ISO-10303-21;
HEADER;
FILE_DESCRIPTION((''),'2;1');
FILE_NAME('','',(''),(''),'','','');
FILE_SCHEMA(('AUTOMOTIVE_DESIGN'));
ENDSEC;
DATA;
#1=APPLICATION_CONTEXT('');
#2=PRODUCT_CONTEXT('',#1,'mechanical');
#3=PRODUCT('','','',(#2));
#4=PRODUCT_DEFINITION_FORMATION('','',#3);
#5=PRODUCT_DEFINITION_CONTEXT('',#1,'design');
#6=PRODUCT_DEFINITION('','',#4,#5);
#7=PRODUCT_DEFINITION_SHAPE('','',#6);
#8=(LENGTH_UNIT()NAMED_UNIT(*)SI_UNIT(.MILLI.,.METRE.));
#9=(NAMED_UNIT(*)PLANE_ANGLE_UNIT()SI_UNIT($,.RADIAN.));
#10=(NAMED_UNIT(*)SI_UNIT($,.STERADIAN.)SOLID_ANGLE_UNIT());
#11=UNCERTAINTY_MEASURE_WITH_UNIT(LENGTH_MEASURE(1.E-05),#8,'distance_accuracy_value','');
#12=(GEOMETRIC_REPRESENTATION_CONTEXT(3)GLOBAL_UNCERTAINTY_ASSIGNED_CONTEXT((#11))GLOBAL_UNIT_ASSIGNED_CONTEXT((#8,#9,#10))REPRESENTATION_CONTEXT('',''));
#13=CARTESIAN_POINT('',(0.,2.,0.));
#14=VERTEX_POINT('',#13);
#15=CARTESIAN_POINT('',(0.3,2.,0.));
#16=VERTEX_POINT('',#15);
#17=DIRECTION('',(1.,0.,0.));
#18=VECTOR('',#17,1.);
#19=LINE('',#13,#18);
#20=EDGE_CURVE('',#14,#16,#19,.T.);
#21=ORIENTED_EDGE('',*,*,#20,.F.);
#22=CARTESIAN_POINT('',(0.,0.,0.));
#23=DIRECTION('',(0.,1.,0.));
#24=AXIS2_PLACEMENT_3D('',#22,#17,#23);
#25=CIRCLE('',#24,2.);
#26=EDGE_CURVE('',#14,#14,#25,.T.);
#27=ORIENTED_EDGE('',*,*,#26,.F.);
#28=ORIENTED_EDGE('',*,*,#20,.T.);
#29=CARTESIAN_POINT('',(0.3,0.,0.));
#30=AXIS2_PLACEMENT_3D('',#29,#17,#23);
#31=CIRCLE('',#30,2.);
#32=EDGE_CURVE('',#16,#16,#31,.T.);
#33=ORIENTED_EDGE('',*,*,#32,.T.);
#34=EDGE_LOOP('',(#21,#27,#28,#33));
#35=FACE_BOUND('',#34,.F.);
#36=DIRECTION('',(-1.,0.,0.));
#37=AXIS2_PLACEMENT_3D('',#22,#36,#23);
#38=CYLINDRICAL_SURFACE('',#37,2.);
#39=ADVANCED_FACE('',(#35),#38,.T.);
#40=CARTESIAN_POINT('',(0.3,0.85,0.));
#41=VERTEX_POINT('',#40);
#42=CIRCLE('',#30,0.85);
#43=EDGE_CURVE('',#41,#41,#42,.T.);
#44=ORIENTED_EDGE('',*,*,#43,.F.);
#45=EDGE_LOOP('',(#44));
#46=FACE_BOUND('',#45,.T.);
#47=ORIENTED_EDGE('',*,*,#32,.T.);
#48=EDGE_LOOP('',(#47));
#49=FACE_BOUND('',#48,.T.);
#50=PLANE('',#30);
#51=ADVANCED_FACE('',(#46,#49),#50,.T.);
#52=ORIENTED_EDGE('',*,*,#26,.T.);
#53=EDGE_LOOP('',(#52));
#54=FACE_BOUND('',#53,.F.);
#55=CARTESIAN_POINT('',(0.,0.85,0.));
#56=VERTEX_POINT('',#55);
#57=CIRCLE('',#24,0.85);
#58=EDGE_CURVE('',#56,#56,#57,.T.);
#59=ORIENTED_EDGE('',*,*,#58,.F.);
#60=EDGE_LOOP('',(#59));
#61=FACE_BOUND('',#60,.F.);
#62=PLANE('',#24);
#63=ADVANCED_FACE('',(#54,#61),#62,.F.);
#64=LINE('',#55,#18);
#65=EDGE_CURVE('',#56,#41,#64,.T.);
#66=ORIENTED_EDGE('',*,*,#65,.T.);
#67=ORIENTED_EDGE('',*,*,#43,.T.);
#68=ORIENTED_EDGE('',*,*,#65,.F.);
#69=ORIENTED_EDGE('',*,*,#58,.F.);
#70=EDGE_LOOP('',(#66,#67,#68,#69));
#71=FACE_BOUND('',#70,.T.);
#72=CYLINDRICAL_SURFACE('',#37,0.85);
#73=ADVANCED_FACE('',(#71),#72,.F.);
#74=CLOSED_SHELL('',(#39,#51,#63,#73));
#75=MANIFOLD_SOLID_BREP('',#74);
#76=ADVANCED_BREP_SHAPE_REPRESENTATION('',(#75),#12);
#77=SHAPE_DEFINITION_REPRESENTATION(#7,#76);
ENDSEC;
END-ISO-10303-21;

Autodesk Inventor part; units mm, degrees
ref_plane "YZ Plane" through (0, 0, 0) normal (1, 0, 0) x (0, 1, 0)
ref_plane "XZ Plane" through (0, 0, 0) normal (0, 1, 0) x (-1, 0, 0)
sketch "Sketch" plane through (0, 0, 0) normal (1, 0, 0) x (0, 1, 0)
  circle A0 centre (0, 0) radius 2
  circle A1 centre (0, 0) radius 0.85
  dimension "d0" = 1.7
  dimension "d1" = 4
extrude "Body" add sketch "Sketch" along normal blind 0.3
ref_plane "Work Plane1" through (0, 0, 0) normal (0, 0, 1) x (1, 0, 0)
equation "\"d0\" = SD1"
equation "\"d1\" = SD2"
equation "\"d2\" = SD"
equation "\"SD1\" = 1.7"
equation "\"SD2\" = 4"
equation "\"SD\" = 0.3"
equation "\"NND\" = 1.6"
properties part number "DIN 125 - A 1.7" material "Steel, Mild"
